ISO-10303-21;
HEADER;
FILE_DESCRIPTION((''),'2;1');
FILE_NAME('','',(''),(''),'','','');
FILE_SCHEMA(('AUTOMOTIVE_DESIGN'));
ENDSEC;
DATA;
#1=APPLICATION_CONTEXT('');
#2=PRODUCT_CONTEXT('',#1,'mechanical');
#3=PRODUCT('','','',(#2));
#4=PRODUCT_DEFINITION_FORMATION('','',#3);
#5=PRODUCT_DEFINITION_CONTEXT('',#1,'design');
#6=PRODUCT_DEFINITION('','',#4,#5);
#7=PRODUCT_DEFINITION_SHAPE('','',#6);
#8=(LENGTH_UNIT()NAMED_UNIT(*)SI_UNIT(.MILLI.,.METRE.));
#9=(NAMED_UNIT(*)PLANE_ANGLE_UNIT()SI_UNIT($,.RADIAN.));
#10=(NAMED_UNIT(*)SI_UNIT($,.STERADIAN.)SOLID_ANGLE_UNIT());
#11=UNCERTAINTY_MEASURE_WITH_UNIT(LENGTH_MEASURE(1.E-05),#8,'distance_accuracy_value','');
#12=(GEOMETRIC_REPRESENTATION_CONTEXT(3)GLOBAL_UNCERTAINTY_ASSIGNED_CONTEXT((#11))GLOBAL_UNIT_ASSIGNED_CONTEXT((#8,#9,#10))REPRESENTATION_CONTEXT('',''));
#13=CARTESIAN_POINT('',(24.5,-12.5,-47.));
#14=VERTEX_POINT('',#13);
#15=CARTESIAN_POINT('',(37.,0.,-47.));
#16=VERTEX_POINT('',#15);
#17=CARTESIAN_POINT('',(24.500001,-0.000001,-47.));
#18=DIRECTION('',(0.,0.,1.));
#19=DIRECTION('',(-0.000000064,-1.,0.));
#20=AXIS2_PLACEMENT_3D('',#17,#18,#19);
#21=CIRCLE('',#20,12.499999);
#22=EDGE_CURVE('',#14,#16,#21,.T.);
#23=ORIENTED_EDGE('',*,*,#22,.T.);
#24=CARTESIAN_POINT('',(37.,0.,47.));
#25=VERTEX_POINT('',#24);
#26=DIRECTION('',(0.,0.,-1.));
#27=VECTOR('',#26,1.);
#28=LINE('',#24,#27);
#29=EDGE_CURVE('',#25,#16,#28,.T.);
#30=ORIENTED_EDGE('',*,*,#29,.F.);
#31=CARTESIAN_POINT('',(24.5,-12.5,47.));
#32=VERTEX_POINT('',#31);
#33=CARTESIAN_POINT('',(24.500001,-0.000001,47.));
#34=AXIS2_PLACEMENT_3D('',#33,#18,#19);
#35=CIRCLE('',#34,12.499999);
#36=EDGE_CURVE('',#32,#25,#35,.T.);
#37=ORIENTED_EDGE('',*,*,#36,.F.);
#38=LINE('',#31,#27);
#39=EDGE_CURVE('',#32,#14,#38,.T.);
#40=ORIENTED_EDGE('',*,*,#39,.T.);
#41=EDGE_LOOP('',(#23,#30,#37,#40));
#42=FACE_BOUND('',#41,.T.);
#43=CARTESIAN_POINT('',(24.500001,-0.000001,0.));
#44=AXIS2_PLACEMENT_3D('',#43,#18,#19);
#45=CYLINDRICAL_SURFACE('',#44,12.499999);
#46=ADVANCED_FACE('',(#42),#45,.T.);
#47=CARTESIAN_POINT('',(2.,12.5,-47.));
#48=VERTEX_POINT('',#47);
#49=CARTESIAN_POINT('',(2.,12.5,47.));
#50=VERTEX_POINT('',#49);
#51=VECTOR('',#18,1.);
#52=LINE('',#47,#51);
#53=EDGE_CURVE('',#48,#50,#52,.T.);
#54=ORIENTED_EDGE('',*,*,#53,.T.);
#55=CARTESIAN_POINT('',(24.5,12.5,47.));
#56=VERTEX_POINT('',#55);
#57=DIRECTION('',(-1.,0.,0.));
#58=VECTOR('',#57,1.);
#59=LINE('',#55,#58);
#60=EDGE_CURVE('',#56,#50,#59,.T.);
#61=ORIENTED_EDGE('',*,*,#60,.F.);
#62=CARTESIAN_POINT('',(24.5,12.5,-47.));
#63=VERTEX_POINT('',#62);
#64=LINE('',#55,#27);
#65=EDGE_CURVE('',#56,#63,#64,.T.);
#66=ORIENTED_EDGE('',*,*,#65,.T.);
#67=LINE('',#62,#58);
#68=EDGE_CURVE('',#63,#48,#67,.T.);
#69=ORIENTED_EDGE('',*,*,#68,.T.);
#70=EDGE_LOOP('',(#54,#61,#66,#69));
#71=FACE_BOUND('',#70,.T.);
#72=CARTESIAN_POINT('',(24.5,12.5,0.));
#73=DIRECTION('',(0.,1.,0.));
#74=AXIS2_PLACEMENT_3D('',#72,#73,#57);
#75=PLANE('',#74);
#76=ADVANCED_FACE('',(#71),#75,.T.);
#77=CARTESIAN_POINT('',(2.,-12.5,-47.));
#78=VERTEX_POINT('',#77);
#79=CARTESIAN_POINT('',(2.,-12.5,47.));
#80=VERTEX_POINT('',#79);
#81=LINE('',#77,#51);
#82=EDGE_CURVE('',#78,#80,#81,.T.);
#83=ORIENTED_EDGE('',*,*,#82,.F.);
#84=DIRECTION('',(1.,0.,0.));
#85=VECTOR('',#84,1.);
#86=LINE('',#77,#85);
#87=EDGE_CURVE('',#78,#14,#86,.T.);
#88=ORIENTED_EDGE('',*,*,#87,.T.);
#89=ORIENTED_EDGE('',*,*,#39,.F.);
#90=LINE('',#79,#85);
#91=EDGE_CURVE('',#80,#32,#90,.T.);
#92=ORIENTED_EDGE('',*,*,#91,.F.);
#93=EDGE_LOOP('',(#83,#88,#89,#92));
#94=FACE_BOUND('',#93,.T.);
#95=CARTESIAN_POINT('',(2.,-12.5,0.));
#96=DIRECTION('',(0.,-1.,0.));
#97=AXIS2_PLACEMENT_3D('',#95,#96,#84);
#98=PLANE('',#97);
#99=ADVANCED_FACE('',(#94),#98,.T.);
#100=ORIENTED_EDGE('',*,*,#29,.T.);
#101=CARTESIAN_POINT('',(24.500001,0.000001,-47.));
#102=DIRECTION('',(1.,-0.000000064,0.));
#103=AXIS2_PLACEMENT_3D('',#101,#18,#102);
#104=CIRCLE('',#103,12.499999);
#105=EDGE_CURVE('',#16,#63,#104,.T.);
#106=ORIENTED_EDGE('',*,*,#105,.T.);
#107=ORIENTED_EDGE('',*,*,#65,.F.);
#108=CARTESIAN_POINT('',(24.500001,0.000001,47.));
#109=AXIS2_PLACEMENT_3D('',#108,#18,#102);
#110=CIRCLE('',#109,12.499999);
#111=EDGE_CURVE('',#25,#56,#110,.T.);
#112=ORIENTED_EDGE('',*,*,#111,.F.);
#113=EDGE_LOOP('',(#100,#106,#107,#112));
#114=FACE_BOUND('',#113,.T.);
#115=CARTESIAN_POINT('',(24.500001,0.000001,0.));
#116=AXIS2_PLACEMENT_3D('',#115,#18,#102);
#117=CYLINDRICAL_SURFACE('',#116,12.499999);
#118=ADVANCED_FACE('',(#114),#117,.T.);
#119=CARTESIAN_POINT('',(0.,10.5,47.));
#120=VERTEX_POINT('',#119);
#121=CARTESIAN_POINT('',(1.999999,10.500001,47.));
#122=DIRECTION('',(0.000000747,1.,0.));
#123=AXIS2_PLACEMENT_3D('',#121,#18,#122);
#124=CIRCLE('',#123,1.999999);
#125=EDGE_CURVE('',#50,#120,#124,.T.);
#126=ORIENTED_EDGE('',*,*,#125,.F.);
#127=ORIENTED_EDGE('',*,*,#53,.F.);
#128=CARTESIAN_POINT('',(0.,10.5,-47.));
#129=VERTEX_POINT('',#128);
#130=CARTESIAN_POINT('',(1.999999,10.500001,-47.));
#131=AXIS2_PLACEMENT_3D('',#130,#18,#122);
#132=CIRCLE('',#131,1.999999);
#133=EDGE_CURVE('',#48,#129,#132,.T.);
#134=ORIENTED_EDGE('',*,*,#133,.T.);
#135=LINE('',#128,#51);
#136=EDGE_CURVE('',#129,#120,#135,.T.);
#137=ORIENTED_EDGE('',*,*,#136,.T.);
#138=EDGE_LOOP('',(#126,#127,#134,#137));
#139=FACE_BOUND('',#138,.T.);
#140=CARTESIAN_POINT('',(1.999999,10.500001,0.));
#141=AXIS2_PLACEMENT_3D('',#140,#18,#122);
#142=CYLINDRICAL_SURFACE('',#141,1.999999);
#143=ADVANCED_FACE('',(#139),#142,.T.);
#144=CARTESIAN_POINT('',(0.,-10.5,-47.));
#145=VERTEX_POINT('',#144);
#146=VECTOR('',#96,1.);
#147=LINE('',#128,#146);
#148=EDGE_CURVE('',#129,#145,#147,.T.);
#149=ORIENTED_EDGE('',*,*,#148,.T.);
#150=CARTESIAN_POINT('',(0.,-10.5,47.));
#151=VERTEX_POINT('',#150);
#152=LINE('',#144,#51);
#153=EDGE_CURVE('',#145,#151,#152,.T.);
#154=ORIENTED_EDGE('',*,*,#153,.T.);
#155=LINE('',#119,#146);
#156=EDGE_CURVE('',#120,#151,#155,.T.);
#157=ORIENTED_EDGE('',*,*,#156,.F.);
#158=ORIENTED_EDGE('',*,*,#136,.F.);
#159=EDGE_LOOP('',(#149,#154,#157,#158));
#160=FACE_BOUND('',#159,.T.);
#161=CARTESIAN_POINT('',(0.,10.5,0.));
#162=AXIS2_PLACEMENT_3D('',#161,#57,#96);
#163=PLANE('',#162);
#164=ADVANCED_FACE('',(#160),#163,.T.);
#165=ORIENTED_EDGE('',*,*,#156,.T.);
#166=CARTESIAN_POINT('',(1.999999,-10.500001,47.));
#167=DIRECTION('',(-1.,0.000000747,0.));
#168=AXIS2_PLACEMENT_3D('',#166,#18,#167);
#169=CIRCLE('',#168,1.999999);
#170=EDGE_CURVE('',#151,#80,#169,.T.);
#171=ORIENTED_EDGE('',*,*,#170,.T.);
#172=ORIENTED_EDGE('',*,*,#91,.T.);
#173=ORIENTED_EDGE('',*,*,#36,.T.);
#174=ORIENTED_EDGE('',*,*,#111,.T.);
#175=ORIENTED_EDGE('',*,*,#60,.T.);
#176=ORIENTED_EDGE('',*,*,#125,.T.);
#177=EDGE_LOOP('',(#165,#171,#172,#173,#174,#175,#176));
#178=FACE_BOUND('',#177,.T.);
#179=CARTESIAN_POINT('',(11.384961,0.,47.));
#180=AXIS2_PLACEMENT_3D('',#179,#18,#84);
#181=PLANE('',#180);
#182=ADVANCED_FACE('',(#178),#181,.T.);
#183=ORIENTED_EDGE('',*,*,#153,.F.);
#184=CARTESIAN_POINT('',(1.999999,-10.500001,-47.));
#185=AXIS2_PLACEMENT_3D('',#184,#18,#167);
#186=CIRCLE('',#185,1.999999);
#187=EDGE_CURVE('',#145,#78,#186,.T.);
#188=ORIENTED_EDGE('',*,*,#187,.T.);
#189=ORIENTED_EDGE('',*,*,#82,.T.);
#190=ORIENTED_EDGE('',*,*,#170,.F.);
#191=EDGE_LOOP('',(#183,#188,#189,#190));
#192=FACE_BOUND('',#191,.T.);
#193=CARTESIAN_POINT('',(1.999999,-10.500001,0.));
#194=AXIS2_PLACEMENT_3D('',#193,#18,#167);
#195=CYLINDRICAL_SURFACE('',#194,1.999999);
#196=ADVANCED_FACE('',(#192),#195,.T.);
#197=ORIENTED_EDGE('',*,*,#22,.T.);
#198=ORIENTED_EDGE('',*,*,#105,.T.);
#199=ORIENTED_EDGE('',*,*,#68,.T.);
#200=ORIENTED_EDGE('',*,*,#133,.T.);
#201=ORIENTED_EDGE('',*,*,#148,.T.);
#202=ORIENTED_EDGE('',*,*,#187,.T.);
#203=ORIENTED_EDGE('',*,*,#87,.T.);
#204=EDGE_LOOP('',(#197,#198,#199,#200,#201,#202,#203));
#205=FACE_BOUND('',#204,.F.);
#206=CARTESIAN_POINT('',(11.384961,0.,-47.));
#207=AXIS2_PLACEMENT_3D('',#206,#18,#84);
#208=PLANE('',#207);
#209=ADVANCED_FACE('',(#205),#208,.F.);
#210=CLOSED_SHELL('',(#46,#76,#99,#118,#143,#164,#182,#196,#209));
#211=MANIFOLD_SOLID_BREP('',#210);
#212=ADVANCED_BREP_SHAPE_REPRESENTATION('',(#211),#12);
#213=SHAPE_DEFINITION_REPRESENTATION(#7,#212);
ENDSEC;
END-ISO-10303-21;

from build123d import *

# Parameters (mm, degrees)
F1_DEPTH = 47


with BuildPart() as f1:
    # F0 (on Top) → F1 (new body, symmetric)
    with BuildSketch(Plane.XY):
        with BuildLine():
            Line((24.5, 12.5), (2, 12.5))
            ThreePointArc((2, 12.5), (0.585786, 11.914214), (0, 10.5))
            Line((0, 10.5), (0, -10.5))
            ThreePointArc((0, -10.5), (0.585786, -11.914214), (2, -12.5))
            Line((2, -12.5), (24.5, -12.5))
            ThreePointArc((24.5, -12.5), (12, 0), (24.5, 12.5))
        make_face()
        with BuildLine():
            ThreePointArc((37, 0), (33.338835, 8.838835), (24.5, 12.5))
            ThreePointArc((24.5, 12.5), (12, 0), (24.5, -12.5))
            ThreePointArc((24.5, -12.5), (33.338835, -8.838835), (37, 0))
        make_face()
    extrude(amount=F1_DEPTH, both=True)


solid = f1.part
